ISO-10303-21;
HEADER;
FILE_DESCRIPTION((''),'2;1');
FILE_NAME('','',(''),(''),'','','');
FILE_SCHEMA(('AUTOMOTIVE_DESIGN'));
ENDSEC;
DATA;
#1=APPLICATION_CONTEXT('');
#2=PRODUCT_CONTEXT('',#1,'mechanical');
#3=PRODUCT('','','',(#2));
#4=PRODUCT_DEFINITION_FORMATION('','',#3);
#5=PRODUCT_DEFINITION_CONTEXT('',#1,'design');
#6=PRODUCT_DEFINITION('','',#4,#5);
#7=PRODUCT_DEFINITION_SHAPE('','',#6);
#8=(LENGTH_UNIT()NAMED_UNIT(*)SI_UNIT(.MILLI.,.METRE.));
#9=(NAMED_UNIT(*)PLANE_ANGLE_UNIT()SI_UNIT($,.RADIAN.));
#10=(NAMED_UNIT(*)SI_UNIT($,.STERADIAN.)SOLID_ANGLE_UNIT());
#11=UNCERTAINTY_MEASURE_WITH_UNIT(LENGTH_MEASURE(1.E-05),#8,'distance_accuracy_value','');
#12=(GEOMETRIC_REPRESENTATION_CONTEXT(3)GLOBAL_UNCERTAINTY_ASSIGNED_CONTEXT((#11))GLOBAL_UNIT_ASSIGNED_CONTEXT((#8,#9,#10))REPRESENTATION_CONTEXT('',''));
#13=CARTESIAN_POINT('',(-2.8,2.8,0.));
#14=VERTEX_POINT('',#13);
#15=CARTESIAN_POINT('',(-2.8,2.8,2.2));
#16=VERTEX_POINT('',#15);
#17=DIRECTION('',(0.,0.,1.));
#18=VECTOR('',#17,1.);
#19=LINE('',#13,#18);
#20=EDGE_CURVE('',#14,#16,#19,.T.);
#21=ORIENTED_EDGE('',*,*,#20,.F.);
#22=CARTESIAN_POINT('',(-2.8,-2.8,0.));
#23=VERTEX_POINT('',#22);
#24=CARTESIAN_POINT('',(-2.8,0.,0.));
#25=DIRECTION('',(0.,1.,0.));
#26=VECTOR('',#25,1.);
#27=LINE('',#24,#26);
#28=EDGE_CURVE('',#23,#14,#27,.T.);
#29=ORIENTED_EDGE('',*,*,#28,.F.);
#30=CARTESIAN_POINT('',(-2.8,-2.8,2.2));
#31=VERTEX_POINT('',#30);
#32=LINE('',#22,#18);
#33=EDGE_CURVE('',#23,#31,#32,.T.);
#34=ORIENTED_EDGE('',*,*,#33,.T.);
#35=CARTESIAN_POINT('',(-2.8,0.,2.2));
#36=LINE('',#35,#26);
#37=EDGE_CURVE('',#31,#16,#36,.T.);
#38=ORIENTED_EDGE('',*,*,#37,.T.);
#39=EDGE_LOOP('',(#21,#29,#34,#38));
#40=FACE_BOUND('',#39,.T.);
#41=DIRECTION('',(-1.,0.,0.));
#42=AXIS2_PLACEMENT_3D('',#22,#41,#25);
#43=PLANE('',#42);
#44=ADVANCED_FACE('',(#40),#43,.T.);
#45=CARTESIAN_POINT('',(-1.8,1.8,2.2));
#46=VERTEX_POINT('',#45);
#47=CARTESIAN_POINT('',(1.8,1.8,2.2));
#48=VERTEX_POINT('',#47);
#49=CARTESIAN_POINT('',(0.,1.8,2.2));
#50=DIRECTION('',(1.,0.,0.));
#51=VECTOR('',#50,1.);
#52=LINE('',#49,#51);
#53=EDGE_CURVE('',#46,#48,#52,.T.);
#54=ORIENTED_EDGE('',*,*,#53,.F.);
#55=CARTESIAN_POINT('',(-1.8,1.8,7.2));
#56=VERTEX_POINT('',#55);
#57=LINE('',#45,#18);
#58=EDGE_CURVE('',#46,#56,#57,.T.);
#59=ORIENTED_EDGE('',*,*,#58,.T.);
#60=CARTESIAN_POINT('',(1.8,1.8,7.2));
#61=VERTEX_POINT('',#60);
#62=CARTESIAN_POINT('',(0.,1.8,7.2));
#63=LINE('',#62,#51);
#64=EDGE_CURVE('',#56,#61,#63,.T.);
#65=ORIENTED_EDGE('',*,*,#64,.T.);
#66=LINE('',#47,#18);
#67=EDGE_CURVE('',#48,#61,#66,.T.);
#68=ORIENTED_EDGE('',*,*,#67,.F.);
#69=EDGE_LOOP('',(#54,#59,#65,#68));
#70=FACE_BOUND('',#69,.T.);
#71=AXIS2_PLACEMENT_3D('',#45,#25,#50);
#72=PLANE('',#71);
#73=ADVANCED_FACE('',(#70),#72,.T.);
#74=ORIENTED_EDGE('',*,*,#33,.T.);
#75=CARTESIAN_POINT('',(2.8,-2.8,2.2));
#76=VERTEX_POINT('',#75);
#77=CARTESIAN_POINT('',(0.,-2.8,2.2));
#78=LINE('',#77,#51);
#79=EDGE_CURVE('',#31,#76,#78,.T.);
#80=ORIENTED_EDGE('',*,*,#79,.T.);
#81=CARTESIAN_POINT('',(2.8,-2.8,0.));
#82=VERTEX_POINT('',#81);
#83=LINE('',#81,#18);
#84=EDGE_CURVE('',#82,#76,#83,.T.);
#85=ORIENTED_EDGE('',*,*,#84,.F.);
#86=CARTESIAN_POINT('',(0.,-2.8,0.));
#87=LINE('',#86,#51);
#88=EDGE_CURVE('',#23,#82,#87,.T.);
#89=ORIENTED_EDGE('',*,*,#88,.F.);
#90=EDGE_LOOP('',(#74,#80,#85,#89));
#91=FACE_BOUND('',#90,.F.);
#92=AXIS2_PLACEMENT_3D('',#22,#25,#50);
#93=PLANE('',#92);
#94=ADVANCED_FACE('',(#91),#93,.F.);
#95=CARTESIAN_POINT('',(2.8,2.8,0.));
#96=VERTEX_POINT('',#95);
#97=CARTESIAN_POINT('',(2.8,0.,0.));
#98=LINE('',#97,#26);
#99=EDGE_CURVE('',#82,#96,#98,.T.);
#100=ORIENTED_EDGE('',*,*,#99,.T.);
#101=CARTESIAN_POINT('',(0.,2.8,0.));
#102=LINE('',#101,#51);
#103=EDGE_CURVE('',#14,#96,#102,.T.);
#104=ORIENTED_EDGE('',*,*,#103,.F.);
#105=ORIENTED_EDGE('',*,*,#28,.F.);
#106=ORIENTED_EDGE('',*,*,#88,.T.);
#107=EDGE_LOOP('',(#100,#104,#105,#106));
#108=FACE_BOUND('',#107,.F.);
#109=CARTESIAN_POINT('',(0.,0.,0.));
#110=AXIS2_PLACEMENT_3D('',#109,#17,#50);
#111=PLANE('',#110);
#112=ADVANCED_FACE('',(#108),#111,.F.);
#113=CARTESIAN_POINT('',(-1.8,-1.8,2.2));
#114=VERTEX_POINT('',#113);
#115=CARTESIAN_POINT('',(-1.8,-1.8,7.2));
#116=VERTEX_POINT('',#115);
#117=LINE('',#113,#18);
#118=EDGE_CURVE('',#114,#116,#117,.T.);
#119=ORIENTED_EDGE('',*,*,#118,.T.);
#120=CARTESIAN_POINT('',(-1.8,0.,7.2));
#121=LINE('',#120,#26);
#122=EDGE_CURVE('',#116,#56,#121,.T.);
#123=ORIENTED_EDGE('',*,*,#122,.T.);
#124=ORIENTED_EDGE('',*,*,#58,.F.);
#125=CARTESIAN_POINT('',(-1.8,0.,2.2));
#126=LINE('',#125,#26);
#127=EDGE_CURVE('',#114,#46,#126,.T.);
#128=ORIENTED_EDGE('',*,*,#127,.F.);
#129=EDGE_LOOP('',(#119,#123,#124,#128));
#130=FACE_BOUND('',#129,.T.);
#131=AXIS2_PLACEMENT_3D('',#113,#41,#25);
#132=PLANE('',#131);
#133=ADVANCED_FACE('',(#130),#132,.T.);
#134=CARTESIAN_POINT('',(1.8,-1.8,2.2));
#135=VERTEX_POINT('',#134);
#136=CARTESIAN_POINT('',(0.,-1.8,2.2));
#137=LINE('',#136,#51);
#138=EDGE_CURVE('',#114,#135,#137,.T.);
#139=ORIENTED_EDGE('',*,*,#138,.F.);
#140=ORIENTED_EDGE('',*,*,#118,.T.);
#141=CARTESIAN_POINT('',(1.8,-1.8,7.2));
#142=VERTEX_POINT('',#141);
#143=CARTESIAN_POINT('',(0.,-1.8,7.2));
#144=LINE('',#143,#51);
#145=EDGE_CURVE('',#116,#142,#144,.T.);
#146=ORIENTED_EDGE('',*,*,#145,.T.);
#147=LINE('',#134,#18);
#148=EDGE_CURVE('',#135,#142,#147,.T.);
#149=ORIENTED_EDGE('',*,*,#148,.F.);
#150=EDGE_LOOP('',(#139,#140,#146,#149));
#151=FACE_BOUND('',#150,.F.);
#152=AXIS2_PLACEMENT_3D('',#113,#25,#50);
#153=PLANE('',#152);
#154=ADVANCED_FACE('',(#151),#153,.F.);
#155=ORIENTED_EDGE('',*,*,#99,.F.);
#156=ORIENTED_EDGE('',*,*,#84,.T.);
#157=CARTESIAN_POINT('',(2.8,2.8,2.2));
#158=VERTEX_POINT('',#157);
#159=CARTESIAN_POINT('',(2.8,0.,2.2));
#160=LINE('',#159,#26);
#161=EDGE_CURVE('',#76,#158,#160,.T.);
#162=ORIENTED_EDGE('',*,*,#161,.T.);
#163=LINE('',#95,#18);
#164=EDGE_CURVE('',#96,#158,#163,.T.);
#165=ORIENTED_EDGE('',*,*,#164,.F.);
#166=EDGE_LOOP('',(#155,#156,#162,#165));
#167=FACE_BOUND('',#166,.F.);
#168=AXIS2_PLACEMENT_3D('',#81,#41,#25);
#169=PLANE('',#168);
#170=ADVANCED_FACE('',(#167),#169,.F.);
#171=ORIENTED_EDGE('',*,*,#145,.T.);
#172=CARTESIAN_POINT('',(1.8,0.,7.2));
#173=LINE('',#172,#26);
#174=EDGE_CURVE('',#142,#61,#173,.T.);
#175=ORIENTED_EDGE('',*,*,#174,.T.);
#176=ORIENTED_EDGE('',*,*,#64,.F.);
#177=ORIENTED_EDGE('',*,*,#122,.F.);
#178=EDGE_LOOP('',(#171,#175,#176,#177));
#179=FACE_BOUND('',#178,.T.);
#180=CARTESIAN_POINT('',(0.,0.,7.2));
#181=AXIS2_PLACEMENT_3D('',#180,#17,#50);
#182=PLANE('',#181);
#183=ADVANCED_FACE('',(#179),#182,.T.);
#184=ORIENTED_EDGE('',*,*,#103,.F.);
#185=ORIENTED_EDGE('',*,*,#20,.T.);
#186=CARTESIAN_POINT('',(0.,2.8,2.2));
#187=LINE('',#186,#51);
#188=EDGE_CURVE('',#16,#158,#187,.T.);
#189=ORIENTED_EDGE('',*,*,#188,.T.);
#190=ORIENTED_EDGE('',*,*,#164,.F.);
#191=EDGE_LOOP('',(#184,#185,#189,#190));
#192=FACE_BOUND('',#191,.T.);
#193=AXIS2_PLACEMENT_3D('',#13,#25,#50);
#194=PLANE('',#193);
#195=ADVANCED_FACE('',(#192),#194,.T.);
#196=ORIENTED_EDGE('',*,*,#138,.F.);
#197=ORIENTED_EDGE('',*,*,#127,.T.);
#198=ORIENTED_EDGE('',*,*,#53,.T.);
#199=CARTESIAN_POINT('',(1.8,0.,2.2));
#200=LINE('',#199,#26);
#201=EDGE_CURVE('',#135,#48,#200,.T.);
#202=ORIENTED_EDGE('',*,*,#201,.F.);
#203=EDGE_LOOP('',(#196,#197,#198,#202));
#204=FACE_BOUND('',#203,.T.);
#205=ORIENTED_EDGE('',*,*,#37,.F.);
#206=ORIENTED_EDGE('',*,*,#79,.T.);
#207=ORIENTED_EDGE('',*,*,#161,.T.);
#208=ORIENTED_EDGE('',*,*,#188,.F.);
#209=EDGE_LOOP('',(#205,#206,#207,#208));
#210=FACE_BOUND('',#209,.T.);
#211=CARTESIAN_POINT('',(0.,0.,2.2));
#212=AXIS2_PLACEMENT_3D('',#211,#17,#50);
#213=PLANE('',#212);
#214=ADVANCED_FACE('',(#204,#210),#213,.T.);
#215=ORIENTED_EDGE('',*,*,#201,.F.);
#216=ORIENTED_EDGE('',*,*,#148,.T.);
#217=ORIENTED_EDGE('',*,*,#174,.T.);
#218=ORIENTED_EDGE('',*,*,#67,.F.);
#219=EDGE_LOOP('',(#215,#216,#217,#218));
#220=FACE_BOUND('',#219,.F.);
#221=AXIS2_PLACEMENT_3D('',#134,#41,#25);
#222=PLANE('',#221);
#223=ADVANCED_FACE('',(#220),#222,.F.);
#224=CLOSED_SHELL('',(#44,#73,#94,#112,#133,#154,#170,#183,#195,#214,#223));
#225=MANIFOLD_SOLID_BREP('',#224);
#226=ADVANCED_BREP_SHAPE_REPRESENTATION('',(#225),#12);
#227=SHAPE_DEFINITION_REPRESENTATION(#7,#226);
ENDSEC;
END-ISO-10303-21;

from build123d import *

# Parameters (mm, degrees)
SKETCH_W     = 5.6
SKETCH_H     = 5.6
PAD_DEPTH    = 2.2
SKETCH001_W  = 3.6
SKETCH001_H  = 3.6
PAD001_DEPTH = 5


with BuildPart() as part:
    # Sketch → Pad (new body)
    with BuildSketch(Plane.XY):
        Rectangle(SKETCH_W, SKETCH_H)
    extrude(amount=PAD_DEPTH)

    # Sketch001 → Pad001 (new body)
    with BuildSketch(Plane.XY.offset(2.2)):
        Rectangle(SKETCH001_W, SKETCH001_H)
    extrude(amount=PAD001_DEPTH)


solid = part.part
